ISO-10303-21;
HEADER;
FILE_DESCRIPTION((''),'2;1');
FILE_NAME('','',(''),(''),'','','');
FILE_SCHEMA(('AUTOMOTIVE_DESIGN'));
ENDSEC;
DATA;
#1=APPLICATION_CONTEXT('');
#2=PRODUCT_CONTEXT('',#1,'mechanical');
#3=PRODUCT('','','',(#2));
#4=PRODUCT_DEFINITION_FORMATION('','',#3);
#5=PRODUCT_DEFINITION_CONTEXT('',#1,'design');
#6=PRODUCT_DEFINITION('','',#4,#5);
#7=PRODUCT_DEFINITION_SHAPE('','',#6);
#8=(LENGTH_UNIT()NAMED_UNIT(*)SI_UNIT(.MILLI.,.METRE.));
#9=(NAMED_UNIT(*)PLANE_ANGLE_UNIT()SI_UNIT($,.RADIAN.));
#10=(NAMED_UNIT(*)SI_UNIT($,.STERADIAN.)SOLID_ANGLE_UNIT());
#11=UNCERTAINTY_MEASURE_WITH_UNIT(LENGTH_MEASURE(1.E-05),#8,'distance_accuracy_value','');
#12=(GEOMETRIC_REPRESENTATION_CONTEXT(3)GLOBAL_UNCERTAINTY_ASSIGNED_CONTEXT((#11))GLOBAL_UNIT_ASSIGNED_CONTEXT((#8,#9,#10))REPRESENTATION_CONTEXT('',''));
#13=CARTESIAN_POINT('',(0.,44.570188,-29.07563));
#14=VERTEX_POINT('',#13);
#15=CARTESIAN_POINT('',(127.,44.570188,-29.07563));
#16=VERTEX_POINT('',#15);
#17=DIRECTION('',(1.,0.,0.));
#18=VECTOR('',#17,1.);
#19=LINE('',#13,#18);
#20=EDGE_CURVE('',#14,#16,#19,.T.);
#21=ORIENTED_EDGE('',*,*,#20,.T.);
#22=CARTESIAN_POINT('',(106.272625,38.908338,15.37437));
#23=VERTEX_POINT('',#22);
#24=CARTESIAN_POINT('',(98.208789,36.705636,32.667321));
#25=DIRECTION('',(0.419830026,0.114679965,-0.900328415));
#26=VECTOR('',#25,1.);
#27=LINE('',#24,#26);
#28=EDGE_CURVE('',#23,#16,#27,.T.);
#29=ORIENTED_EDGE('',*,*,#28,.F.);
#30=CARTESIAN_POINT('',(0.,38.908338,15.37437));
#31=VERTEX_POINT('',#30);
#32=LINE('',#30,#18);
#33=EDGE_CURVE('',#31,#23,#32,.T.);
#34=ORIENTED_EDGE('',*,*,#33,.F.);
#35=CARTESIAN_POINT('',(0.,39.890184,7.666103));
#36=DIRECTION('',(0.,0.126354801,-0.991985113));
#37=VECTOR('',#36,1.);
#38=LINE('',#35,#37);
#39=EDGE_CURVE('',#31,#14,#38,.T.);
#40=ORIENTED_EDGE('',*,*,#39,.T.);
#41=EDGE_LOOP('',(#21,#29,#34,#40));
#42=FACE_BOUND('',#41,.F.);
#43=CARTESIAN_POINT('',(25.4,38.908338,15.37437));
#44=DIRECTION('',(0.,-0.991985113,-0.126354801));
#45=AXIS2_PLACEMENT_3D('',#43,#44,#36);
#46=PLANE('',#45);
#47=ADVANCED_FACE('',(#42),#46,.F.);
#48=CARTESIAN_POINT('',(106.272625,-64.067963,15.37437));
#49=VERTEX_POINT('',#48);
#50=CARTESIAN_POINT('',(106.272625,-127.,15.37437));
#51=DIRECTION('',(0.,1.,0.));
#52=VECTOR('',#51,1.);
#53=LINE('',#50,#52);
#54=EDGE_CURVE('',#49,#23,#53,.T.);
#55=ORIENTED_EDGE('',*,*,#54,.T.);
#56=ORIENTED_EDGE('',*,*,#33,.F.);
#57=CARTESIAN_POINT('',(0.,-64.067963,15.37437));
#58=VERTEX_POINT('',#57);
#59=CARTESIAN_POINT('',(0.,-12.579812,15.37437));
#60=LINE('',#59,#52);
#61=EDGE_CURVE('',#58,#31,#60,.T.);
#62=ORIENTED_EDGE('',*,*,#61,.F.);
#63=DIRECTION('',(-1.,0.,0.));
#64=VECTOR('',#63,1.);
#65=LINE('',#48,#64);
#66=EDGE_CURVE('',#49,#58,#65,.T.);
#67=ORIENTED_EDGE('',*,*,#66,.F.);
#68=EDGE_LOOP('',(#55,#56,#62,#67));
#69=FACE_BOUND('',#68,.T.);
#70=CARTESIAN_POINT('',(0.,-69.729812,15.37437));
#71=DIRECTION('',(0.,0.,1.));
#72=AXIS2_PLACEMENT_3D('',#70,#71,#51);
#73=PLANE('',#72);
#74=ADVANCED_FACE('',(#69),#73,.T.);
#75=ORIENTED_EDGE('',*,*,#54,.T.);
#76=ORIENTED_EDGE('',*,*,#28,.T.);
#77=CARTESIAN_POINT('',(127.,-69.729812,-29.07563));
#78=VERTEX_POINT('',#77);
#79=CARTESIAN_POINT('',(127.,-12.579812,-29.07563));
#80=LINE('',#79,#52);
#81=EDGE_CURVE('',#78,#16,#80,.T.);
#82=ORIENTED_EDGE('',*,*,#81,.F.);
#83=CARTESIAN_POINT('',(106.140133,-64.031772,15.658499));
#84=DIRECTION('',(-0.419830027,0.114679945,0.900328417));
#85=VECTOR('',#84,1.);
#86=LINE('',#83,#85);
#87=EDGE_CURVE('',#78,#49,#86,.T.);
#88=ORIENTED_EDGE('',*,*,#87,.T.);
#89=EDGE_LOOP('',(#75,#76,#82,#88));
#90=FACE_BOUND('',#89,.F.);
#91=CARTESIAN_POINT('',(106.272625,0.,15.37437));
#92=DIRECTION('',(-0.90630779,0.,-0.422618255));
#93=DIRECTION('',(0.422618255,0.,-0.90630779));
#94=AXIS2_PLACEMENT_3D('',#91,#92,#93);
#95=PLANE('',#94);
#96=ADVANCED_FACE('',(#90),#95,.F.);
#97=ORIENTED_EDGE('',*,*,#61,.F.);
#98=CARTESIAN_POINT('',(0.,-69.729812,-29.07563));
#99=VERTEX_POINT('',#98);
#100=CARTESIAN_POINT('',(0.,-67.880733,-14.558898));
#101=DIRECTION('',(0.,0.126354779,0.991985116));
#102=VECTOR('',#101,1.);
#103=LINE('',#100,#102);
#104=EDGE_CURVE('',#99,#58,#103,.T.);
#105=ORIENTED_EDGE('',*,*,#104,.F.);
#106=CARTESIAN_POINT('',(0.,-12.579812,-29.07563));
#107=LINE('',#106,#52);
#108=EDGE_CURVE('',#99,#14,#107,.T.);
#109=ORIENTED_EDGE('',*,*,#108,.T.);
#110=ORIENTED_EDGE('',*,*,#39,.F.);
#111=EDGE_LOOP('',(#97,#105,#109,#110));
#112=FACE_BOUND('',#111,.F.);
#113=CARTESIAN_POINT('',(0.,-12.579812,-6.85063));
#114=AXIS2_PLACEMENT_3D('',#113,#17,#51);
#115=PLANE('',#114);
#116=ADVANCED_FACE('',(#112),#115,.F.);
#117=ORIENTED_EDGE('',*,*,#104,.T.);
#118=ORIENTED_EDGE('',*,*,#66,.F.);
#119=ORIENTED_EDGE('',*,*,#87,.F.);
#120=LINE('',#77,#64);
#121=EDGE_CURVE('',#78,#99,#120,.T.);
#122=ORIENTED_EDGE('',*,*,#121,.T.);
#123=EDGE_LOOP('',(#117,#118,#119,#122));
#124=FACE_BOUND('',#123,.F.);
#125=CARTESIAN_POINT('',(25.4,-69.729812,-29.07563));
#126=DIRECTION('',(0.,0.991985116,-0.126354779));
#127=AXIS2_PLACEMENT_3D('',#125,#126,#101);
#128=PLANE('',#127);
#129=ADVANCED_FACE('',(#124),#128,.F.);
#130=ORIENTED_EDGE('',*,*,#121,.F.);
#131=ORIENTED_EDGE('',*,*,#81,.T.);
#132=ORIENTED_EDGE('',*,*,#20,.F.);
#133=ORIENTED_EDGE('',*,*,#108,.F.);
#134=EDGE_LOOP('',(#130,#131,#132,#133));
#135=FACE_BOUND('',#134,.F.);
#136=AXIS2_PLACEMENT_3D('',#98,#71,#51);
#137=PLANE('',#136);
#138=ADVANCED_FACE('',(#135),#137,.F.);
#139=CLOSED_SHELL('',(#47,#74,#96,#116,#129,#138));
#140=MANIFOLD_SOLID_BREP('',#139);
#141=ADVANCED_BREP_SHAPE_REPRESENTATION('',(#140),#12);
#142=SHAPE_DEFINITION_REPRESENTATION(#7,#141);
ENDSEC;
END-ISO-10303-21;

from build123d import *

# Parameters (mm, degrees)
F0_W          = 114.3
F0_H          = 44.45
F1_DEPTH      = 127
F3_DEPTH      = 127
F7_DEPTH      = 139.954
F7_DEPTH_BACK = 86.614


with BuildPart() as f1:
    # F0 (on Right) → F1 (new body)
    with BuildSketch(Plane.YZ):
        with Locations((-12.579812, -6.85063)):
            Rectangle(F0_W, F0_H)
    extrude(amount=F1_DEPTH)

    # F2 (on Front) → F3 (cut, symmetric)
    with BuildSketch(Plane.XZ):
        Polygon((127, -29.07563), (127, 15.37437), (106.272625, 15.37437), align=None)
    extrude(amount=F3_DEPTH, both=True, mode=Mode.SUBTRACT)

    # F6 (on offset) → F7 (cut, two sides)
    with BuildSketch(Plane.YZ.offset(25.4)) as f7_sk:
        Polygon((-69.729812, 15.37437), (-69.729812, -29.07563), (-64.067963, 15.37437), align=None)
        Polygon((38.908338, 15.37437), (44.570188, -29.07563), (44.570188, 15.37437), align=None)
    extrude(amount=F7_DEPTH, mode=Mode.SUBTRACT)
    extrude(f7_sk.sketch, amount=-F7_DEPTH_BACK, mode=Mode.SUBTRACT)


solid = f1.part
